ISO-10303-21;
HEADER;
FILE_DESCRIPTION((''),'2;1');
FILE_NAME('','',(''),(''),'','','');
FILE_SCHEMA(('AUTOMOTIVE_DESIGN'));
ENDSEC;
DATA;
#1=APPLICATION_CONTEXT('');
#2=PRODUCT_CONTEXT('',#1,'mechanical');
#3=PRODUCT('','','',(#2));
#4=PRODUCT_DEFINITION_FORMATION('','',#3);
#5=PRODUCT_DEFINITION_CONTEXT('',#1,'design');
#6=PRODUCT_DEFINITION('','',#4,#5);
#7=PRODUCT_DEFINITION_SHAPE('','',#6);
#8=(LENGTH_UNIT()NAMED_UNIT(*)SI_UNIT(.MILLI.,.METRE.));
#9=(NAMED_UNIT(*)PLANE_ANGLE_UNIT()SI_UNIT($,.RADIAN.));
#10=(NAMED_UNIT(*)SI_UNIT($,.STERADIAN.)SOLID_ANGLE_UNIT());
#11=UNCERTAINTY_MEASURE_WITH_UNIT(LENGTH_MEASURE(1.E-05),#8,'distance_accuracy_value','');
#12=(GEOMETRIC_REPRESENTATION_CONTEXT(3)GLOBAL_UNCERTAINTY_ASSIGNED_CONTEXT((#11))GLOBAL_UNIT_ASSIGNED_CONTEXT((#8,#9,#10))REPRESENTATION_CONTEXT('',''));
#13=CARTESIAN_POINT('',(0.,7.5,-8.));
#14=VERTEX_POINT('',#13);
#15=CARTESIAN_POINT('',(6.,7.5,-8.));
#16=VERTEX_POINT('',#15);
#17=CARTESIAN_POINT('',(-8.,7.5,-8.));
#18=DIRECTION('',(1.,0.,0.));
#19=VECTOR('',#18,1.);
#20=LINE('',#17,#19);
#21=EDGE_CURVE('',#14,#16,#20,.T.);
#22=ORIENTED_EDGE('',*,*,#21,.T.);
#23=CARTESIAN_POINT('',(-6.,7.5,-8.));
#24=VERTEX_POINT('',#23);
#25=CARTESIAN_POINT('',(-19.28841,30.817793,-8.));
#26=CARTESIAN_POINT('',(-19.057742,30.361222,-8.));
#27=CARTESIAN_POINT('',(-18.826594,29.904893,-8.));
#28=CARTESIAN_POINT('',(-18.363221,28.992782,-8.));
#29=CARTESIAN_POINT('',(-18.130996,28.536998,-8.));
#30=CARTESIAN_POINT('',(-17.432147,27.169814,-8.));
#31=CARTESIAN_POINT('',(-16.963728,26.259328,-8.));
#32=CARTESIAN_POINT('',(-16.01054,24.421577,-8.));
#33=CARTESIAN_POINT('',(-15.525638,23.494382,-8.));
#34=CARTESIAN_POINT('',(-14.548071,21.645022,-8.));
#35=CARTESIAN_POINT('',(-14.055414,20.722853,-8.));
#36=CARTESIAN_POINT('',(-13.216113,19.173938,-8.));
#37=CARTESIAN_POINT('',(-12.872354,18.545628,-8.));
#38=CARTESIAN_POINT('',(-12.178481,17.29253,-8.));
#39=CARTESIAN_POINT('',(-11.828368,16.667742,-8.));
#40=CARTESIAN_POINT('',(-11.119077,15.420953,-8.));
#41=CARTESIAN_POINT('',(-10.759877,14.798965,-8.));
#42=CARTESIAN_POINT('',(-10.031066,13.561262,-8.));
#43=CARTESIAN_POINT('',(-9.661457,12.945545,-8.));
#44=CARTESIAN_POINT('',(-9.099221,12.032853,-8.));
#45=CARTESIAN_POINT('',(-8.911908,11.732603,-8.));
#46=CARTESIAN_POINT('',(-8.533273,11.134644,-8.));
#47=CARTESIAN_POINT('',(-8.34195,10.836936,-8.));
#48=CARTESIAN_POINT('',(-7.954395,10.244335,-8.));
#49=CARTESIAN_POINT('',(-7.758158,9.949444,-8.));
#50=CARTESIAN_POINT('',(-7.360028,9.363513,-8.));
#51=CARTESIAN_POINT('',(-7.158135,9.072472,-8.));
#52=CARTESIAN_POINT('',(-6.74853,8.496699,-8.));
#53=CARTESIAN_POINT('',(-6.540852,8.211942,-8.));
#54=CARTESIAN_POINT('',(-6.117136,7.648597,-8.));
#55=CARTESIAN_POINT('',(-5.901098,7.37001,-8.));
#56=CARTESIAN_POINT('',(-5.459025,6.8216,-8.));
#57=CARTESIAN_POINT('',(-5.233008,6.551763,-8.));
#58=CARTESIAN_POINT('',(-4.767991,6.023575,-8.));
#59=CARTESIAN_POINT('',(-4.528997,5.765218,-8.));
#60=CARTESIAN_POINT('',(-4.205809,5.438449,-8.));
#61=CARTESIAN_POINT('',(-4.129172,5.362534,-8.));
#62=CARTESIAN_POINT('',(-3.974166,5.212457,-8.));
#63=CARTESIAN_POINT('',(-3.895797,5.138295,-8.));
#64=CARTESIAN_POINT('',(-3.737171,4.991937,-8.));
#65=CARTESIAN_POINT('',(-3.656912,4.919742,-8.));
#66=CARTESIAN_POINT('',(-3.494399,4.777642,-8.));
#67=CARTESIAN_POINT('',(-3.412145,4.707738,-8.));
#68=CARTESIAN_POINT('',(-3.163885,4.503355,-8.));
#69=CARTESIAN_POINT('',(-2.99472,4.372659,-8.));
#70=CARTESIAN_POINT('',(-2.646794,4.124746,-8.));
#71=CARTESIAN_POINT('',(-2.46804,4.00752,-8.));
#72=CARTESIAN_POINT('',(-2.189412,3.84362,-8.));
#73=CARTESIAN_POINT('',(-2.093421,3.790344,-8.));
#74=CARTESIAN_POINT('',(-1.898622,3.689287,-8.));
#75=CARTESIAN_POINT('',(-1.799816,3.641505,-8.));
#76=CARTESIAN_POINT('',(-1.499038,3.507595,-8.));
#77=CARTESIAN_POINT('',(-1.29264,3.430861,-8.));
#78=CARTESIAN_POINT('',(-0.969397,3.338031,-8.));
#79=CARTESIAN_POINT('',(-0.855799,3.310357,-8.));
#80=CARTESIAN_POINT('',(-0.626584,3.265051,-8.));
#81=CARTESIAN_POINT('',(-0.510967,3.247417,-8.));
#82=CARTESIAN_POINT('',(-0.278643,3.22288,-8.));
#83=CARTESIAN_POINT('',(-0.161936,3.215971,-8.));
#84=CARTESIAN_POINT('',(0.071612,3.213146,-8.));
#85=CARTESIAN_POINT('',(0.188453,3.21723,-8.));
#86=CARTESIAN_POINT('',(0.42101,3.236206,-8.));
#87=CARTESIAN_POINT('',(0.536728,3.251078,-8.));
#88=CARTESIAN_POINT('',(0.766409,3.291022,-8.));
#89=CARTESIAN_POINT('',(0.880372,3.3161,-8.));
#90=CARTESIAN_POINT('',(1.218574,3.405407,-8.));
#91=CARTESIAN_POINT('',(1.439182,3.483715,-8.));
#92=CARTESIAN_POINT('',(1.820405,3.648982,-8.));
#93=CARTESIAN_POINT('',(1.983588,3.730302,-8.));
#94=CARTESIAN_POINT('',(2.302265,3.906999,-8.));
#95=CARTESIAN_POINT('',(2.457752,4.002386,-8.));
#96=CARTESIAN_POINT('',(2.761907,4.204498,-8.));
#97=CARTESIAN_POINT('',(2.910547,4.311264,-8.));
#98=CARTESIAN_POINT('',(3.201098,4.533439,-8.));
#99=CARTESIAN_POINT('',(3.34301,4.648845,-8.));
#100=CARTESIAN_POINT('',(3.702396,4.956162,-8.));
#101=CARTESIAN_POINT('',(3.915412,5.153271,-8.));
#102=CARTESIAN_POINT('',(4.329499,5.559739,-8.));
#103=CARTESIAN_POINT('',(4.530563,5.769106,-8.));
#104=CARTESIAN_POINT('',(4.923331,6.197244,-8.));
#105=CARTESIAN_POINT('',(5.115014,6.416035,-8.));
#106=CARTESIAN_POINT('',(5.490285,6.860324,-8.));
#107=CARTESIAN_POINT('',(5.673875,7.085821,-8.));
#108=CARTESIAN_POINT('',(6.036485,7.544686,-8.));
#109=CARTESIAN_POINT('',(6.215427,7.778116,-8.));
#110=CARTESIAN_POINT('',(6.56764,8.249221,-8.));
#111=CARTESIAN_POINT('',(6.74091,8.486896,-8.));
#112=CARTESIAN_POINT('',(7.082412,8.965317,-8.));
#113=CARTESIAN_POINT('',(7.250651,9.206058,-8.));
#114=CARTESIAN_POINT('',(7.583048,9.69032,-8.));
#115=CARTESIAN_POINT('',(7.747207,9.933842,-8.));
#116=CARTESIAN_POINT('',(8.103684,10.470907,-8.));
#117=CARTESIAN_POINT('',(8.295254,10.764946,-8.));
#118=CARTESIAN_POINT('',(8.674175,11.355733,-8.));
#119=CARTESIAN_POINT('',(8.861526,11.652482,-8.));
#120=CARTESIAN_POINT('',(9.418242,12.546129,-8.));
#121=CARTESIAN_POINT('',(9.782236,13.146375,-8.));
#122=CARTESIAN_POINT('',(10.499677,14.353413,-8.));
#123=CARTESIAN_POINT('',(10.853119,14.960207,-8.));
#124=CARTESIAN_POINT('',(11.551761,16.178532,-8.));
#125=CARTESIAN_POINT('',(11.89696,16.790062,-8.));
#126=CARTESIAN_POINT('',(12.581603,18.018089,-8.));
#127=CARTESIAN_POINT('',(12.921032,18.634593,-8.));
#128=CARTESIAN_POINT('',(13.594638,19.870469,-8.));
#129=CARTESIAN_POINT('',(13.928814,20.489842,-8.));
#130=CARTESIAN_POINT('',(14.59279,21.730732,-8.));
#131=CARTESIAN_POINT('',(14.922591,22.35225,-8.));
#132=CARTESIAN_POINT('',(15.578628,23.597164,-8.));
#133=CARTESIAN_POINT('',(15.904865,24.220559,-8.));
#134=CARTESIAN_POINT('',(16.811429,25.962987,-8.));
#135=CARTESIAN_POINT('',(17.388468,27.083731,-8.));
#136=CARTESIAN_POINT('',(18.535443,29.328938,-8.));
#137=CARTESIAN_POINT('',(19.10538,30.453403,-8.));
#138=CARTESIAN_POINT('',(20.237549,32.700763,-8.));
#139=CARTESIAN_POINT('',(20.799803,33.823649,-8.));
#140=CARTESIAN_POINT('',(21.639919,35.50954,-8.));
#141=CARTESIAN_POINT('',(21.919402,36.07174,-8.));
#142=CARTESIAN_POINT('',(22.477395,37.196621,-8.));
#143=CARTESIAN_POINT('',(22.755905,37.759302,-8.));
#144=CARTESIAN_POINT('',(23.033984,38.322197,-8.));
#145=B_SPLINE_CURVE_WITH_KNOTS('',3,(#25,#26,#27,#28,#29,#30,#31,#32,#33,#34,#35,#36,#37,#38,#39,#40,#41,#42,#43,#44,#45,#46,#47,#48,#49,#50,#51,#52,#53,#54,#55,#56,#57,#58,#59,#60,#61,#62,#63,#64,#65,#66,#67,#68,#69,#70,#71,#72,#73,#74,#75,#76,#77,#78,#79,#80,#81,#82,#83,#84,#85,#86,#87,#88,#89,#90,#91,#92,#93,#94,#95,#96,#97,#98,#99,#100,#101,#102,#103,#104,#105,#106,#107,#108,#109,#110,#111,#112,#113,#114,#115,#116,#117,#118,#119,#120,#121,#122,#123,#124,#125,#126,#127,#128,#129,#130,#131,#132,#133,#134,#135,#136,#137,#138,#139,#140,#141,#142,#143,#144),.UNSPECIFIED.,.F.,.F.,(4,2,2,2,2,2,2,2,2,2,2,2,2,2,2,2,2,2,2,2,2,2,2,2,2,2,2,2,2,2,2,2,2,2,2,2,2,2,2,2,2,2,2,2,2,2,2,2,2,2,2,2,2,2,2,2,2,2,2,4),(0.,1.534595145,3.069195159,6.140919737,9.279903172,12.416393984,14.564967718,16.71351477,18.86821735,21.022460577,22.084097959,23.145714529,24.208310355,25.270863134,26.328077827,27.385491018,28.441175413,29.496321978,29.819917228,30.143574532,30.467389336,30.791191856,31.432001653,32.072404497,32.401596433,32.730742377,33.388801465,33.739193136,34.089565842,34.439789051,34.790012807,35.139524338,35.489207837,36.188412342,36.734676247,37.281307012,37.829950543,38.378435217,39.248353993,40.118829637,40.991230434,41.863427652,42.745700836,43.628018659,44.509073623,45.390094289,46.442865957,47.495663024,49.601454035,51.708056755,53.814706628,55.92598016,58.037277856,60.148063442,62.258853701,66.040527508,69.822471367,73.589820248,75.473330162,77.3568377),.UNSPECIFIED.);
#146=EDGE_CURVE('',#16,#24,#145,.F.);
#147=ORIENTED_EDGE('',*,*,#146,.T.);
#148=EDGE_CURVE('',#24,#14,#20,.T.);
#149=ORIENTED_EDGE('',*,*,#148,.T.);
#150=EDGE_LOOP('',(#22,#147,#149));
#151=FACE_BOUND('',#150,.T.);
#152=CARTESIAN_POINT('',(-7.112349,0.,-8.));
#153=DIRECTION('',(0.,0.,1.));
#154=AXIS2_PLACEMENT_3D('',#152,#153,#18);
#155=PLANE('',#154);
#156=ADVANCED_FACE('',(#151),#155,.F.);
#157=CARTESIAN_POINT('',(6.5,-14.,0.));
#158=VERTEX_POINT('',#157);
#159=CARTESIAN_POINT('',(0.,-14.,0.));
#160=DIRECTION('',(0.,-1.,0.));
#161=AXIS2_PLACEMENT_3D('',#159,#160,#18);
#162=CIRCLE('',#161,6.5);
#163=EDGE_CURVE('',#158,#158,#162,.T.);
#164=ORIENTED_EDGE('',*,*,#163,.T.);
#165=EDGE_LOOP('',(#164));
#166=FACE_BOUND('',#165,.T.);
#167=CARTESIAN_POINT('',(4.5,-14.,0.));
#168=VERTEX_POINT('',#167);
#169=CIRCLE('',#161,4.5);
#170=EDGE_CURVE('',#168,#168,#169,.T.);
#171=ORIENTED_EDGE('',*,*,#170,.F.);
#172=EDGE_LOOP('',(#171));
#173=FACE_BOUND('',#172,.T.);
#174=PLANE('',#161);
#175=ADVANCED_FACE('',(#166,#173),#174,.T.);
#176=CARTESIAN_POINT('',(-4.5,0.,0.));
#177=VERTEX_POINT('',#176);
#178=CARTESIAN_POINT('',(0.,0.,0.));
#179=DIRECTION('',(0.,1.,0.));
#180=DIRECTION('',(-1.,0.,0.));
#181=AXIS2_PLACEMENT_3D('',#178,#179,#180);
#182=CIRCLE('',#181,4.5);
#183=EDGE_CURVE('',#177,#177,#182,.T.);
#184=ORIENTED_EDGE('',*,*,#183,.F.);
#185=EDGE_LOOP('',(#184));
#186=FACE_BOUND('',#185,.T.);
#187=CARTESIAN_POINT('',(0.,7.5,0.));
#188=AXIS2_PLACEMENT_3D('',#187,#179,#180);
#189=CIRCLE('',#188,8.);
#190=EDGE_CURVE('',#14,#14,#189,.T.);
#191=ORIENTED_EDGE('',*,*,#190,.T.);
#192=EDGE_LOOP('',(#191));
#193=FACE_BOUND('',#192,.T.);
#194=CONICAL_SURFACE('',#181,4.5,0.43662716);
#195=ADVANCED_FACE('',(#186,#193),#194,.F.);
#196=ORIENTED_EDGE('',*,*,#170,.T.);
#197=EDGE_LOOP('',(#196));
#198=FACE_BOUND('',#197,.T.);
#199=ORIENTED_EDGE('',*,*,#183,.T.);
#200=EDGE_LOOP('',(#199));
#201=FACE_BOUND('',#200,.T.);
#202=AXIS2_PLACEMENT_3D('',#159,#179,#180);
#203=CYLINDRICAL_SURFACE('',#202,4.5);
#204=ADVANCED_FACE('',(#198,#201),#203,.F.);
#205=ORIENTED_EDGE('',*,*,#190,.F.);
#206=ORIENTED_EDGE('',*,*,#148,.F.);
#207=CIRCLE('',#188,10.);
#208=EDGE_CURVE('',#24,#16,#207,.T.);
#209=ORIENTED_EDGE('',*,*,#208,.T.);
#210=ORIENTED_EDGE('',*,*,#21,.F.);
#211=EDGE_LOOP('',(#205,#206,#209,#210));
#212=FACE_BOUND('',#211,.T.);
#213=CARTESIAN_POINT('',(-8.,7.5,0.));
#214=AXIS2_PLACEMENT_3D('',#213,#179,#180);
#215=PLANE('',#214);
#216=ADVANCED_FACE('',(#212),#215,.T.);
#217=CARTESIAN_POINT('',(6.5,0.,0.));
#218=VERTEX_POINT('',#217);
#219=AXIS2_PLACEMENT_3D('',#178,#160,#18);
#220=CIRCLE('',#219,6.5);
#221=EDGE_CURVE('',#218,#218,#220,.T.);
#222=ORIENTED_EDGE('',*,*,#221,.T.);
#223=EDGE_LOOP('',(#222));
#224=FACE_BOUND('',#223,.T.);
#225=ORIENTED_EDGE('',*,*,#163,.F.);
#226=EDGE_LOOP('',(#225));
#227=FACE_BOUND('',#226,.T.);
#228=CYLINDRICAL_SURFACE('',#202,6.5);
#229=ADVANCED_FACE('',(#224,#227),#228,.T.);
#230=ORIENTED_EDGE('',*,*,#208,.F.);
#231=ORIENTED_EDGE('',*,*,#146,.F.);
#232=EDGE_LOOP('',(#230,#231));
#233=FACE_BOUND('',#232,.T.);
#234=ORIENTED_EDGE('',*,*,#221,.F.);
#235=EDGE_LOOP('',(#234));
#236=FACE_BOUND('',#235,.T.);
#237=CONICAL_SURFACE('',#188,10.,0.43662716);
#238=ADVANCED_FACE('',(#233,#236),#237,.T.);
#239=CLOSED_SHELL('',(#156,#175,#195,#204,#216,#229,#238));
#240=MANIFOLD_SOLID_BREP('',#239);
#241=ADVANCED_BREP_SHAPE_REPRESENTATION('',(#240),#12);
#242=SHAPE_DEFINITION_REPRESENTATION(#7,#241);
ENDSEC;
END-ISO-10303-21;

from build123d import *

# Parameters (mm, degrees)
CROQUIS3_R              = 6.5
CROQUIS3_R_2            = 4.5
SALIENTE_EXTRUIR1_DEPTH = 14
CROQUIS4_W              = 14.224697916
CROQUIS4_H              = 2.830487819
CORTAR_EXTRUIR1_DEPTH   = 7.5


with BuildPart() as part:
    # Croquis2 → Revolución1 (revolve)
    with BuildSketch(Plane.XY):
        Polygon((-4.5, 0), (-8, 7.5), (-10, 7.5), (-6.5, 0), align=None)
    revolve(axis=Axis((0, 7.5, 0), (0, -1, 0)))

    # Croquis3 → Saliente-Extruir1 (add)
    with BuildSketch(Plane.XZ):
        Circle(CROQUIS3_R)
        Circle(CROQUIS3_R_2, mode=Mode.SUBTRACT)
    extrude(amount=SALIENTE_EXTRUIR1_DEPTH)

    # Croquis4 → Cortar-Extruir1 (cut)
    with BuildSketch(Plane(origin=(0, 7.5, 0), x_dir=(1, 0, 0), z_dir=(0, 1, 0))):
        with Locations((0, 9.415243909)):
            Rectangle(CROQUIS4_W, CROQUIS4_H)
    extrude(amount=-CORTAR_EXTRUIR1_DEPTH, mode=Mode.SUBTRACT)


solid = part.part
